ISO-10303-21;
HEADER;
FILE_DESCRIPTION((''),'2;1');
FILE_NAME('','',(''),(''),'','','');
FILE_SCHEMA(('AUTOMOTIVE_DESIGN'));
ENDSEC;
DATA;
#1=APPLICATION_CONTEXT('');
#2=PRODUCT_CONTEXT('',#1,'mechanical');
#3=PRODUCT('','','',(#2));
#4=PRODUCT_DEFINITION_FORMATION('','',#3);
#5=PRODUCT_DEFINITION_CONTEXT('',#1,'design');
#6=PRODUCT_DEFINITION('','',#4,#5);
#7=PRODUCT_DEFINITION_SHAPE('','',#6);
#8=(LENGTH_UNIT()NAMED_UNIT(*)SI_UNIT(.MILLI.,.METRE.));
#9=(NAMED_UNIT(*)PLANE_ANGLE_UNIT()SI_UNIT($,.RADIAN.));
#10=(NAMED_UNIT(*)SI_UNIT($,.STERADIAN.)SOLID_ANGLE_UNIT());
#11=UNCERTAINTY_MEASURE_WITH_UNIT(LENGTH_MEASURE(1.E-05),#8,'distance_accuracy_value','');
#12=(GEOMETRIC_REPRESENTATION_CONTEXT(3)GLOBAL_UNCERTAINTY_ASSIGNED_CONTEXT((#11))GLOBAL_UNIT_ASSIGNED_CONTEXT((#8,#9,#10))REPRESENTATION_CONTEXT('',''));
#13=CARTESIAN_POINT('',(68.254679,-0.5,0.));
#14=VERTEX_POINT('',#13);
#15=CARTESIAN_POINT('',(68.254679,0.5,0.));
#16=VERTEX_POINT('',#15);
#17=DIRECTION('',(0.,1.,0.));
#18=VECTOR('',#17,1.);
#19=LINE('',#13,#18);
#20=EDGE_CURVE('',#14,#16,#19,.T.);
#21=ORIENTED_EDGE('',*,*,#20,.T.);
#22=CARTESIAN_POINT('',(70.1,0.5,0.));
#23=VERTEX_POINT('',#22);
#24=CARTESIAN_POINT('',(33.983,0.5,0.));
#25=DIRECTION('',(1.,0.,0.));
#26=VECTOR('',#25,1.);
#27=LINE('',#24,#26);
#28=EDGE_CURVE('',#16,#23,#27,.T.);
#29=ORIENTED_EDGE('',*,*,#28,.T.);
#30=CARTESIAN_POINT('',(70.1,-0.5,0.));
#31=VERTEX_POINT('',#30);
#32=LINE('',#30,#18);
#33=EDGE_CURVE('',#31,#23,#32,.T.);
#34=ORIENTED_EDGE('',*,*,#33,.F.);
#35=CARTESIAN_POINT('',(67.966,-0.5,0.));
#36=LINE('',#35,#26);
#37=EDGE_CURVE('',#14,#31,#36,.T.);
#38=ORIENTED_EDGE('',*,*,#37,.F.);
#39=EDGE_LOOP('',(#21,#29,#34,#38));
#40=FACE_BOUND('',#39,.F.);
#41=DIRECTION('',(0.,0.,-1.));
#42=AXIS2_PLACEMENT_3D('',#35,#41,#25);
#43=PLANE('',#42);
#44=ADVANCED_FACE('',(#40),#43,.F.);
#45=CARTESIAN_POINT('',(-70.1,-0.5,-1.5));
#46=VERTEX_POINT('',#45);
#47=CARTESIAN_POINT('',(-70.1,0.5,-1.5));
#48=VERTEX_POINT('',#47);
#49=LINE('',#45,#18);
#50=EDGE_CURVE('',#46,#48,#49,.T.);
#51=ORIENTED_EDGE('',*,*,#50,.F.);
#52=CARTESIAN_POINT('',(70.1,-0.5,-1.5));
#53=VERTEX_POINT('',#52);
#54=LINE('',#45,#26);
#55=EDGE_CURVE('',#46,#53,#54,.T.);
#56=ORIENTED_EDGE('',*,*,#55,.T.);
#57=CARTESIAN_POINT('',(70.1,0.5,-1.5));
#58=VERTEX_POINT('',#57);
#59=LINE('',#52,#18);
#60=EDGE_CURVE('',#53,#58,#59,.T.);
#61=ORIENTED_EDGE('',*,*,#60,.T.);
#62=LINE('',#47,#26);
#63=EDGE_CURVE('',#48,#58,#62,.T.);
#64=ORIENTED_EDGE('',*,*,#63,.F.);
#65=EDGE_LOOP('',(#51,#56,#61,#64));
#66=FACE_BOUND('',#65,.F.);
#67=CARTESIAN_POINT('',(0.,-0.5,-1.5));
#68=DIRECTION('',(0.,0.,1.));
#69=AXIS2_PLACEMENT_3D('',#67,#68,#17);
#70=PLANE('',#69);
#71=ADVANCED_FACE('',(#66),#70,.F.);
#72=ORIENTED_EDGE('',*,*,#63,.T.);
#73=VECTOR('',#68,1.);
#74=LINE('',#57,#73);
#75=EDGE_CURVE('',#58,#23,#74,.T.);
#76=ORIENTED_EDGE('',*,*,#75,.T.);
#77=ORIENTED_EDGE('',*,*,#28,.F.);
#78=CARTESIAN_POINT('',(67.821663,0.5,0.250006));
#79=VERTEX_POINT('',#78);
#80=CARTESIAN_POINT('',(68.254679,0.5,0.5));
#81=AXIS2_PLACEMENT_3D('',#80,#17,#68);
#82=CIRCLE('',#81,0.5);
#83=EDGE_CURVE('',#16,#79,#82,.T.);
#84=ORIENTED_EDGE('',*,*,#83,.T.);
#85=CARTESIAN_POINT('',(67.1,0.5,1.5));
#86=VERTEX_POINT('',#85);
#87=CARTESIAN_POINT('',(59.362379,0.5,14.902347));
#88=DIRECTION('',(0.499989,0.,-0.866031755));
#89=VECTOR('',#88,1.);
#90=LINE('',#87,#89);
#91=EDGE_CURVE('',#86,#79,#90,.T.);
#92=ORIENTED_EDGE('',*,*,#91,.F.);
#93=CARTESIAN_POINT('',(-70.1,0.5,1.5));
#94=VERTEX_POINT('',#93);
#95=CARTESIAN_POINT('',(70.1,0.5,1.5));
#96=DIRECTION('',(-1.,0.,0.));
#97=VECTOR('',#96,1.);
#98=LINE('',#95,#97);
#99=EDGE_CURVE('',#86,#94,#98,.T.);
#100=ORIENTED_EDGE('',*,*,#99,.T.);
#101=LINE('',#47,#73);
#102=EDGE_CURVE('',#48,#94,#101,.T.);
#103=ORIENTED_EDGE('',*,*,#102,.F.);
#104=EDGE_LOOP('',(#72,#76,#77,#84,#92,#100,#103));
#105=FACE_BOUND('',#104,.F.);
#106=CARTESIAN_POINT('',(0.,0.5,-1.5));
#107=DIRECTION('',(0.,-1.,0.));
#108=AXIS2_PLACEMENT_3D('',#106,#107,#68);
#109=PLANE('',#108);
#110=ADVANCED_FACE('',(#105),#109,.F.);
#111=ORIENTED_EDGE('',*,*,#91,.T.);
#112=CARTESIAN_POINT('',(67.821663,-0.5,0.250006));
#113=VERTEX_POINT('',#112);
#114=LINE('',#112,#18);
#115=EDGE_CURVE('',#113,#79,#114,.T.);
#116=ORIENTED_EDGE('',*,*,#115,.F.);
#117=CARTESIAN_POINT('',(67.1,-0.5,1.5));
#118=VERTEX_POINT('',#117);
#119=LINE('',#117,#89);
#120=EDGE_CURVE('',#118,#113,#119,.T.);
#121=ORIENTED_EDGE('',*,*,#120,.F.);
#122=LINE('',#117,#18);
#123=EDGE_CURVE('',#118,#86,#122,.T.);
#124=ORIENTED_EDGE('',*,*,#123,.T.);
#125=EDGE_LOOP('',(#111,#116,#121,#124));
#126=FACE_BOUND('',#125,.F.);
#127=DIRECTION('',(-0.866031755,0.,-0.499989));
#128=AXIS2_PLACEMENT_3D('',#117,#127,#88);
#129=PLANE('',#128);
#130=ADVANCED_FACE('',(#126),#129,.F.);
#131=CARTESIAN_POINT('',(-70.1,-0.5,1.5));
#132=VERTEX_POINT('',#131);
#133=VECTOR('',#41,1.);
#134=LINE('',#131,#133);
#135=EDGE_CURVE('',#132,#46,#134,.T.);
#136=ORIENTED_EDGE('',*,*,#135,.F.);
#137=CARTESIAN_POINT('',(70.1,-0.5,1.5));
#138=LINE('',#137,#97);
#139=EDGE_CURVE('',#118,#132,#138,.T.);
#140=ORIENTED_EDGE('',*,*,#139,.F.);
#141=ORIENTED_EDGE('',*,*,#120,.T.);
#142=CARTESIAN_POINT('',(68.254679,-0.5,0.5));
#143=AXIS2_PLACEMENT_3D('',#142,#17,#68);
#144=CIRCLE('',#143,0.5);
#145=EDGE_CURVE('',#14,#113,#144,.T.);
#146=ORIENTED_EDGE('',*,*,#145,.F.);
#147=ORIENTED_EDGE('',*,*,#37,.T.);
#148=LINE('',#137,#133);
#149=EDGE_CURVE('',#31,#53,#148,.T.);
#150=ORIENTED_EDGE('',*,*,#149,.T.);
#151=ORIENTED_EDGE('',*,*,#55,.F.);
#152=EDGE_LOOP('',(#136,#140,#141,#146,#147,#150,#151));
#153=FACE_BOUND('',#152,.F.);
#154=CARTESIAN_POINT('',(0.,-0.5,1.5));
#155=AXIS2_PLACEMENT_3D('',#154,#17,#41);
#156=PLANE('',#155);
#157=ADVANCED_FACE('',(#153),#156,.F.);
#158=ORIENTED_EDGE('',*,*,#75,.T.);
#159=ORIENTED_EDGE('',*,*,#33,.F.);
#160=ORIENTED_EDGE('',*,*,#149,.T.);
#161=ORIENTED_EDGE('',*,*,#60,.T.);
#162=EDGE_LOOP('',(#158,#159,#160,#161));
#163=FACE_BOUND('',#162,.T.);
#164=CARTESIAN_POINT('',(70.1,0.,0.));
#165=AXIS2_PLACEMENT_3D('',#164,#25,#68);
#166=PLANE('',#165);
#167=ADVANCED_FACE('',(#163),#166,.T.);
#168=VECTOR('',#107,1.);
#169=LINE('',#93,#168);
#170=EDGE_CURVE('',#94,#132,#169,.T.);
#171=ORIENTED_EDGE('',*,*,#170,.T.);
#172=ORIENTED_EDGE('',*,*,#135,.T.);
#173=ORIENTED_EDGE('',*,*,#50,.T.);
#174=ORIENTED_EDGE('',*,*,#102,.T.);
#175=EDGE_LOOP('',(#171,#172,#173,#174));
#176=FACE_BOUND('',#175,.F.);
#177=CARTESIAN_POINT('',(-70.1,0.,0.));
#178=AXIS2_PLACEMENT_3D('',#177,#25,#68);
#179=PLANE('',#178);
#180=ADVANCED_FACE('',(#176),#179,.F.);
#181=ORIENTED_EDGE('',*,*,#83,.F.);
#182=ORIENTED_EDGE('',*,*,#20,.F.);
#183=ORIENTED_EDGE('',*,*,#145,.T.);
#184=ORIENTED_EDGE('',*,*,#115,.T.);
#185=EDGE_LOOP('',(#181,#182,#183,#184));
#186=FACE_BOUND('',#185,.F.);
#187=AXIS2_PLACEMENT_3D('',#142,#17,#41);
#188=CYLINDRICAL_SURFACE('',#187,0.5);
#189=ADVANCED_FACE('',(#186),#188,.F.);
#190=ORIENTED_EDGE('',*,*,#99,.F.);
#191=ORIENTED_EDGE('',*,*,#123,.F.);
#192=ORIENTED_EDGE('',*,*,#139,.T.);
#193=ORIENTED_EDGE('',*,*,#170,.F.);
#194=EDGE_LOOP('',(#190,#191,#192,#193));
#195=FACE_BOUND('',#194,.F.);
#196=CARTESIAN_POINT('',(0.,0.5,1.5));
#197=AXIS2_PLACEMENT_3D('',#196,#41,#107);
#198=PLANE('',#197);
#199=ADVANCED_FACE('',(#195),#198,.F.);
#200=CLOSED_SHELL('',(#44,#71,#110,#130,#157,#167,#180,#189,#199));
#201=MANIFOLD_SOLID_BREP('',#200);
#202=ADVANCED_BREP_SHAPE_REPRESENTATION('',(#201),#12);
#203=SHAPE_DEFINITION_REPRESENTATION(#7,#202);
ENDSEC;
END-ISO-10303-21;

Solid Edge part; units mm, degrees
sketch "Sketch1" plane through (0, 0, 0) normal (1, 0, 0) x (0, 1, 0)
  line L0 (-0.5, 1.5) -> (-0.5, -1.5)
  line L1 (-0.5, -1.5) -> (0.5, -1.5)
  line L2 (0.5, -1.5) -> (0.5, 1.5)
  line L3 (0.5, 1.5) -> (-0.5, 1.5)
extrude "Protrusion1" add sketch "Sketch1" along normal mid plane 140.2
sketch "Sketch2" plane through (0, -0.5, 0) normal (0, -1, 0) x (1, 0, 0)
  line L0 (67.966, 0) -> (70.1, 0)
  line L1 (70.1, 0) -> (70.1, 1.5)
  line L2 (70.1, 1.5) -> (67.1, 1.5)
  line L3 (67.1, 1.5) -> (67.966, 0)
extrude "ExtrudedCutout_1" cut sketch "Sketch2" against normal blind 2.6684
fillet "Round_1" radius 0.5 1 edges at (67.966, 0, 0)
